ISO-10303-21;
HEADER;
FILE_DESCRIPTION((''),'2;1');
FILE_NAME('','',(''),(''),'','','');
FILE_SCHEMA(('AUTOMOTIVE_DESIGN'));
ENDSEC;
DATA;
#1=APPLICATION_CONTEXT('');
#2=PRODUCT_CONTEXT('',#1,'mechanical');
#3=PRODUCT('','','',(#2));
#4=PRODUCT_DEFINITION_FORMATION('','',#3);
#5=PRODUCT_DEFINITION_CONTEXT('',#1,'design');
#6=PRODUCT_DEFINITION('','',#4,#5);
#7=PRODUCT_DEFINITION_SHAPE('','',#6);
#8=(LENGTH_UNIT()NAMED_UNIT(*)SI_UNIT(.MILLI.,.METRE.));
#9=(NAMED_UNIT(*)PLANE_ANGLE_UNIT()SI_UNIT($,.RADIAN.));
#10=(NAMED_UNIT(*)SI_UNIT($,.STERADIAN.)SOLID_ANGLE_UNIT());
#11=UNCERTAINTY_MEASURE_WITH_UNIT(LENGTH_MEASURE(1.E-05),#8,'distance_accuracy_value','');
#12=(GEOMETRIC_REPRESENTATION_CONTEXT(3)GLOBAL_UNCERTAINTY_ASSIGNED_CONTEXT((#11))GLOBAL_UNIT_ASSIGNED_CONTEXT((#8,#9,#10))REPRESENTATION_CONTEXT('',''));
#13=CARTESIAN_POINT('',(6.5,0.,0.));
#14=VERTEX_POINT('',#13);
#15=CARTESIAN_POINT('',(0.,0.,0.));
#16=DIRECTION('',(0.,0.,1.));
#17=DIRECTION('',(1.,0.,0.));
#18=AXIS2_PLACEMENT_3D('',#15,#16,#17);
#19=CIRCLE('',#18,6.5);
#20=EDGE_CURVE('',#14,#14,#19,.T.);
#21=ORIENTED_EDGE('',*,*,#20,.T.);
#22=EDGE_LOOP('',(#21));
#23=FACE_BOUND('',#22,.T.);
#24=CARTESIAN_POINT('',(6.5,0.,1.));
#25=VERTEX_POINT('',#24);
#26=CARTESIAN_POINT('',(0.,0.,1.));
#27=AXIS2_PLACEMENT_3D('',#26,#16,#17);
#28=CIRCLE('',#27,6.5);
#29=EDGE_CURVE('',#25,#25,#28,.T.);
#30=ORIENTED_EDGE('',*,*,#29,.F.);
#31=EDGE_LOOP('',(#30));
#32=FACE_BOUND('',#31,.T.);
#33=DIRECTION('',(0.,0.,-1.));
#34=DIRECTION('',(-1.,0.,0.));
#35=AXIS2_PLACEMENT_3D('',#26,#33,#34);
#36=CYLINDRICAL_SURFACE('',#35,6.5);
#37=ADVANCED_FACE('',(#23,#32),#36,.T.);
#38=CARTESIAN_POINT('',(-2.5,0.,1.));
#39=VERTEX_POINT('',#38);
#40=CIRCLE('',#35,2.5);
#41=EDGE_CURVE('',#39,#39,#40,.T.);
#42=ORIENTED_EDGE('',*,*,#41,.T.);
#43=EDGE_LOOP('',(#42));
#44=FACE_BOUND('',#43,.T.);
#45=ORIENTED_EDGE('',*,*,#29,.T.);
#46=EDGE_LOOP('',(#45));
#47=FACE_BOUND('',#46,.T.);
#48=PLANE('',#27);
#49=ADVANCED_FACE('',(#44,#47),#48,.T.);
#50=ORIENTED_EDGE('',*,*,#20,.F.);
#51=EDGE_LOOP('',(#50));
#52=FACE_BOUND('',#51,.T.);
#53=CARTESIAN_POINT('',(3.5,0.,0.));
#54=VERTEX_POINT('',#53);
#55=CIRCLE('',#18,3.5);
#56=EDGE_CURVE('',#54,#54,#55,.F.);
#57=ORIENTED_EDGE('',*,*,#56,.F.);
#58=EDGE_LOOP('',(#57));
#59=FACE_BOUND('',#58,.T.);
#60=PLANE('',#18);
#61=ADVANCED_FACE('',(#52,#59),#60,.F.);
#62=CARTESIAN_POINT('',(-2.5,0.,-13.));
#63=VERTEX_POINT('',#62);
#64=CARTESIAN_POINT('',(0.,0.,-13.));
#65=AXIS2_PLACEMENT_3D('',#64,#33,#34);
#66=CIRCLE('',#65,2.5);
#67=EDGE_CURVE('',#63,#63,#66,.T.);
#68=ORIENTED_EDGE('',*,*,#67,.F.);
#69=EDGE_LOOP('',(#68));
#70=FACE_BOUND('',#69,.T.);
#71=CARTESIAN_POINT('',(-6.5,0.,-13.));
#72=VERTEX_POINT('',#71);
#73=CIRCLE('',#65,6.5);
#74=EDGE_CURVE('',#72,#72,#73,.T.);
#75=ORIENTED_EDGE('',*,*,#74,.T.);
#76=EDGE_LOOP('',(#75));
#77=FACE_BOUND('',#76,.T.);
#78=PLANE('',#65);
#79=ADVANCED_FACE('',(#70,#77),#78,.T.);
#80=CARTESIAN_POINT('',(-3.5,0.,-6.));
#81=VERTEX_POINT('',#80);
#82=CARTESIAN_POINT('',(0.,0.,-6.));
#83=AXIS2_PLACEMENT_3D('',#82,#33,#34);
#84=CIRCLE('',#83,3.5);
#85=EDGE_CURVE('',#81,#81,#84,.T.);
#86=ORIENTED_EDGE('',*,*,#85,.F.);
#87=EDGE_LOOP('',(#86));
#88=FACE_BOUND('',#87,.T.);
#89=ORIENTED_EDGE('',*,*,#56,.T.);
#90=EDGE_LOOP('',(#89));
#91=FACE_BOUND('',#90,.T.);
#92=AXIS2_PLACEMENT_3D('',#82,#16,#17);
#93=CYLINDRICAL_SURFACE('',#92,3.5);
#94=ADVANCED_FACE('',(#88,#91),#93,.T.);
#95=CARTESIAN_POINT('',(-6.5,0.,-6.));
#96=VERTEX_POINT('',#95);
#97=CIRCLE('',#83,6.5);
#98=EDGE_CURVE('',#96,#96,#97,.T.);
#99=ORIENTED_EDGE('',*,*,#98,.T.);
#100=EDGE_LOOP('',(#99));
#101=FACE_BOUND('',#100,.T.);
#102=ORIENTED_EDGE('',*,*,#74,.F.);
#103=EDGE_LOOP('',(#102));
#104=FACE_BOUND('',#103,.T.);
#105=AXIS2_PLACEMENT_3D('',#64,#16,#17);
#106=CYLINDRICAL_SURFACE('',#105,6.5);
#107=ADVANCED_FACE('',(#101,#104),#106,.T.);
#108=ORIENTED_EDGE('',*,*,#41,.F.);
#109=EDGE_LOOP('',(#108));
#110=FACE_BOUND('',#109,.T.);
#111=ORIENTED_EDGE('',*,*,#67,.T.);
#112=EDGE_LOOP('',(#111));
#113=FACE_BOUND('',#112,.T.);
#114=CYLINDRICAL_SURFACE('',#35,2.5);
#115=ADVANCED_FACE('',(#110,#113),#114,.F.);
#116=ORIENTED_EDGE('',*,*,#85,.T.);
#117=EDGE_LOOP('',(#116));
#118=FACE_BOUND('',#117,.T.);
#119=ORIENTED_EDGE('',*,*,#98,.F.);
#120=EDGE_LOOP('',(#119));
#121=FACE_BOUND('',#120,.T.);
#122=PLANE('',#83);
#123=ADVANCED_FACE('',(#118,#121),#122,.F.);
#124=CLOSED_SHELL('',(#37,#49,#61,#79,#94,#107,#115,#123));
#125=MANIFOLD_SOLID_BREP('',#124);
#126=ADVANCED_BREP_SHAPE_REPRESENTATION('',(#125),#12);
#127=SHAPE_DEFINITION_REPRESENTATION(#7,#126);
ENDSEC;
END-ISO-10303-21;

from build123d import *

# Parameters (mm, degrees)
SKETCH_1_R          = 6.5
EXTRUDE_1_DEPTH     = 1
SKETCH_2_R          = 3.5
EXTRUDE_2_DEPTH     = 6
EXTRUDE_START       = 7
SKETCH_3_R          = 6.5
EXTRUDE_3_DEPTH     = 7
SKETCH_4_R          = 2.5
CUT_EXTRUDE_1_DEPTH = 17.748134224


with BuildPart() as part:
    # Эскиз1 → Бобышка-Вытянуть1 (new body)
    with BuildSketch(Plane.XY):
        Circle(SKETCH_1_R)
    extrude(amount=EXTRUDE_1_DEPTH)

    # Эскиз2 → Бобышка-Вытянуть2 (add)
    with BuildSketch(Plane(origin=(0, 0, 0), x_dir=(-1, 0, 0), z_dir=(0, 0, -1))):
        with Locations(Location((0, 0, 0), (0, 0, 180))):
            Circle(SKETCH_2_R)
    extrude(amount=EXTRUDE_2_DEPTH)

    # Эскиз3 → Бобышка-Вытянуть3 (add)
    with BuildSketch(Plane(origin=(0, 0, -6), x_dir=(-1, 0, 0), z_dir=(0, 0, -1)).offset(EXTRUDE_START)):
        with Locations(Location((0, 0, 0), (0, 0, 180))):
            Circle(SKETCH_3_R)
    extrude(amount=-EXTRUDE_3_DEPTH)

    # Эскиз4 → Вырез-Вытянуть1 (cut, through all)
    with BuildSketch(Plane(origin=(0, 0, -13), x_dir=(-1, 0, 0), z_dir=(0, 0, -1))):
        Circle(SKETCH_4_R)
    extrude(amount=-CUT_EXTRUDE_1_DEPTH, mode=Mode.SUBTRACT)


solid = part.part
